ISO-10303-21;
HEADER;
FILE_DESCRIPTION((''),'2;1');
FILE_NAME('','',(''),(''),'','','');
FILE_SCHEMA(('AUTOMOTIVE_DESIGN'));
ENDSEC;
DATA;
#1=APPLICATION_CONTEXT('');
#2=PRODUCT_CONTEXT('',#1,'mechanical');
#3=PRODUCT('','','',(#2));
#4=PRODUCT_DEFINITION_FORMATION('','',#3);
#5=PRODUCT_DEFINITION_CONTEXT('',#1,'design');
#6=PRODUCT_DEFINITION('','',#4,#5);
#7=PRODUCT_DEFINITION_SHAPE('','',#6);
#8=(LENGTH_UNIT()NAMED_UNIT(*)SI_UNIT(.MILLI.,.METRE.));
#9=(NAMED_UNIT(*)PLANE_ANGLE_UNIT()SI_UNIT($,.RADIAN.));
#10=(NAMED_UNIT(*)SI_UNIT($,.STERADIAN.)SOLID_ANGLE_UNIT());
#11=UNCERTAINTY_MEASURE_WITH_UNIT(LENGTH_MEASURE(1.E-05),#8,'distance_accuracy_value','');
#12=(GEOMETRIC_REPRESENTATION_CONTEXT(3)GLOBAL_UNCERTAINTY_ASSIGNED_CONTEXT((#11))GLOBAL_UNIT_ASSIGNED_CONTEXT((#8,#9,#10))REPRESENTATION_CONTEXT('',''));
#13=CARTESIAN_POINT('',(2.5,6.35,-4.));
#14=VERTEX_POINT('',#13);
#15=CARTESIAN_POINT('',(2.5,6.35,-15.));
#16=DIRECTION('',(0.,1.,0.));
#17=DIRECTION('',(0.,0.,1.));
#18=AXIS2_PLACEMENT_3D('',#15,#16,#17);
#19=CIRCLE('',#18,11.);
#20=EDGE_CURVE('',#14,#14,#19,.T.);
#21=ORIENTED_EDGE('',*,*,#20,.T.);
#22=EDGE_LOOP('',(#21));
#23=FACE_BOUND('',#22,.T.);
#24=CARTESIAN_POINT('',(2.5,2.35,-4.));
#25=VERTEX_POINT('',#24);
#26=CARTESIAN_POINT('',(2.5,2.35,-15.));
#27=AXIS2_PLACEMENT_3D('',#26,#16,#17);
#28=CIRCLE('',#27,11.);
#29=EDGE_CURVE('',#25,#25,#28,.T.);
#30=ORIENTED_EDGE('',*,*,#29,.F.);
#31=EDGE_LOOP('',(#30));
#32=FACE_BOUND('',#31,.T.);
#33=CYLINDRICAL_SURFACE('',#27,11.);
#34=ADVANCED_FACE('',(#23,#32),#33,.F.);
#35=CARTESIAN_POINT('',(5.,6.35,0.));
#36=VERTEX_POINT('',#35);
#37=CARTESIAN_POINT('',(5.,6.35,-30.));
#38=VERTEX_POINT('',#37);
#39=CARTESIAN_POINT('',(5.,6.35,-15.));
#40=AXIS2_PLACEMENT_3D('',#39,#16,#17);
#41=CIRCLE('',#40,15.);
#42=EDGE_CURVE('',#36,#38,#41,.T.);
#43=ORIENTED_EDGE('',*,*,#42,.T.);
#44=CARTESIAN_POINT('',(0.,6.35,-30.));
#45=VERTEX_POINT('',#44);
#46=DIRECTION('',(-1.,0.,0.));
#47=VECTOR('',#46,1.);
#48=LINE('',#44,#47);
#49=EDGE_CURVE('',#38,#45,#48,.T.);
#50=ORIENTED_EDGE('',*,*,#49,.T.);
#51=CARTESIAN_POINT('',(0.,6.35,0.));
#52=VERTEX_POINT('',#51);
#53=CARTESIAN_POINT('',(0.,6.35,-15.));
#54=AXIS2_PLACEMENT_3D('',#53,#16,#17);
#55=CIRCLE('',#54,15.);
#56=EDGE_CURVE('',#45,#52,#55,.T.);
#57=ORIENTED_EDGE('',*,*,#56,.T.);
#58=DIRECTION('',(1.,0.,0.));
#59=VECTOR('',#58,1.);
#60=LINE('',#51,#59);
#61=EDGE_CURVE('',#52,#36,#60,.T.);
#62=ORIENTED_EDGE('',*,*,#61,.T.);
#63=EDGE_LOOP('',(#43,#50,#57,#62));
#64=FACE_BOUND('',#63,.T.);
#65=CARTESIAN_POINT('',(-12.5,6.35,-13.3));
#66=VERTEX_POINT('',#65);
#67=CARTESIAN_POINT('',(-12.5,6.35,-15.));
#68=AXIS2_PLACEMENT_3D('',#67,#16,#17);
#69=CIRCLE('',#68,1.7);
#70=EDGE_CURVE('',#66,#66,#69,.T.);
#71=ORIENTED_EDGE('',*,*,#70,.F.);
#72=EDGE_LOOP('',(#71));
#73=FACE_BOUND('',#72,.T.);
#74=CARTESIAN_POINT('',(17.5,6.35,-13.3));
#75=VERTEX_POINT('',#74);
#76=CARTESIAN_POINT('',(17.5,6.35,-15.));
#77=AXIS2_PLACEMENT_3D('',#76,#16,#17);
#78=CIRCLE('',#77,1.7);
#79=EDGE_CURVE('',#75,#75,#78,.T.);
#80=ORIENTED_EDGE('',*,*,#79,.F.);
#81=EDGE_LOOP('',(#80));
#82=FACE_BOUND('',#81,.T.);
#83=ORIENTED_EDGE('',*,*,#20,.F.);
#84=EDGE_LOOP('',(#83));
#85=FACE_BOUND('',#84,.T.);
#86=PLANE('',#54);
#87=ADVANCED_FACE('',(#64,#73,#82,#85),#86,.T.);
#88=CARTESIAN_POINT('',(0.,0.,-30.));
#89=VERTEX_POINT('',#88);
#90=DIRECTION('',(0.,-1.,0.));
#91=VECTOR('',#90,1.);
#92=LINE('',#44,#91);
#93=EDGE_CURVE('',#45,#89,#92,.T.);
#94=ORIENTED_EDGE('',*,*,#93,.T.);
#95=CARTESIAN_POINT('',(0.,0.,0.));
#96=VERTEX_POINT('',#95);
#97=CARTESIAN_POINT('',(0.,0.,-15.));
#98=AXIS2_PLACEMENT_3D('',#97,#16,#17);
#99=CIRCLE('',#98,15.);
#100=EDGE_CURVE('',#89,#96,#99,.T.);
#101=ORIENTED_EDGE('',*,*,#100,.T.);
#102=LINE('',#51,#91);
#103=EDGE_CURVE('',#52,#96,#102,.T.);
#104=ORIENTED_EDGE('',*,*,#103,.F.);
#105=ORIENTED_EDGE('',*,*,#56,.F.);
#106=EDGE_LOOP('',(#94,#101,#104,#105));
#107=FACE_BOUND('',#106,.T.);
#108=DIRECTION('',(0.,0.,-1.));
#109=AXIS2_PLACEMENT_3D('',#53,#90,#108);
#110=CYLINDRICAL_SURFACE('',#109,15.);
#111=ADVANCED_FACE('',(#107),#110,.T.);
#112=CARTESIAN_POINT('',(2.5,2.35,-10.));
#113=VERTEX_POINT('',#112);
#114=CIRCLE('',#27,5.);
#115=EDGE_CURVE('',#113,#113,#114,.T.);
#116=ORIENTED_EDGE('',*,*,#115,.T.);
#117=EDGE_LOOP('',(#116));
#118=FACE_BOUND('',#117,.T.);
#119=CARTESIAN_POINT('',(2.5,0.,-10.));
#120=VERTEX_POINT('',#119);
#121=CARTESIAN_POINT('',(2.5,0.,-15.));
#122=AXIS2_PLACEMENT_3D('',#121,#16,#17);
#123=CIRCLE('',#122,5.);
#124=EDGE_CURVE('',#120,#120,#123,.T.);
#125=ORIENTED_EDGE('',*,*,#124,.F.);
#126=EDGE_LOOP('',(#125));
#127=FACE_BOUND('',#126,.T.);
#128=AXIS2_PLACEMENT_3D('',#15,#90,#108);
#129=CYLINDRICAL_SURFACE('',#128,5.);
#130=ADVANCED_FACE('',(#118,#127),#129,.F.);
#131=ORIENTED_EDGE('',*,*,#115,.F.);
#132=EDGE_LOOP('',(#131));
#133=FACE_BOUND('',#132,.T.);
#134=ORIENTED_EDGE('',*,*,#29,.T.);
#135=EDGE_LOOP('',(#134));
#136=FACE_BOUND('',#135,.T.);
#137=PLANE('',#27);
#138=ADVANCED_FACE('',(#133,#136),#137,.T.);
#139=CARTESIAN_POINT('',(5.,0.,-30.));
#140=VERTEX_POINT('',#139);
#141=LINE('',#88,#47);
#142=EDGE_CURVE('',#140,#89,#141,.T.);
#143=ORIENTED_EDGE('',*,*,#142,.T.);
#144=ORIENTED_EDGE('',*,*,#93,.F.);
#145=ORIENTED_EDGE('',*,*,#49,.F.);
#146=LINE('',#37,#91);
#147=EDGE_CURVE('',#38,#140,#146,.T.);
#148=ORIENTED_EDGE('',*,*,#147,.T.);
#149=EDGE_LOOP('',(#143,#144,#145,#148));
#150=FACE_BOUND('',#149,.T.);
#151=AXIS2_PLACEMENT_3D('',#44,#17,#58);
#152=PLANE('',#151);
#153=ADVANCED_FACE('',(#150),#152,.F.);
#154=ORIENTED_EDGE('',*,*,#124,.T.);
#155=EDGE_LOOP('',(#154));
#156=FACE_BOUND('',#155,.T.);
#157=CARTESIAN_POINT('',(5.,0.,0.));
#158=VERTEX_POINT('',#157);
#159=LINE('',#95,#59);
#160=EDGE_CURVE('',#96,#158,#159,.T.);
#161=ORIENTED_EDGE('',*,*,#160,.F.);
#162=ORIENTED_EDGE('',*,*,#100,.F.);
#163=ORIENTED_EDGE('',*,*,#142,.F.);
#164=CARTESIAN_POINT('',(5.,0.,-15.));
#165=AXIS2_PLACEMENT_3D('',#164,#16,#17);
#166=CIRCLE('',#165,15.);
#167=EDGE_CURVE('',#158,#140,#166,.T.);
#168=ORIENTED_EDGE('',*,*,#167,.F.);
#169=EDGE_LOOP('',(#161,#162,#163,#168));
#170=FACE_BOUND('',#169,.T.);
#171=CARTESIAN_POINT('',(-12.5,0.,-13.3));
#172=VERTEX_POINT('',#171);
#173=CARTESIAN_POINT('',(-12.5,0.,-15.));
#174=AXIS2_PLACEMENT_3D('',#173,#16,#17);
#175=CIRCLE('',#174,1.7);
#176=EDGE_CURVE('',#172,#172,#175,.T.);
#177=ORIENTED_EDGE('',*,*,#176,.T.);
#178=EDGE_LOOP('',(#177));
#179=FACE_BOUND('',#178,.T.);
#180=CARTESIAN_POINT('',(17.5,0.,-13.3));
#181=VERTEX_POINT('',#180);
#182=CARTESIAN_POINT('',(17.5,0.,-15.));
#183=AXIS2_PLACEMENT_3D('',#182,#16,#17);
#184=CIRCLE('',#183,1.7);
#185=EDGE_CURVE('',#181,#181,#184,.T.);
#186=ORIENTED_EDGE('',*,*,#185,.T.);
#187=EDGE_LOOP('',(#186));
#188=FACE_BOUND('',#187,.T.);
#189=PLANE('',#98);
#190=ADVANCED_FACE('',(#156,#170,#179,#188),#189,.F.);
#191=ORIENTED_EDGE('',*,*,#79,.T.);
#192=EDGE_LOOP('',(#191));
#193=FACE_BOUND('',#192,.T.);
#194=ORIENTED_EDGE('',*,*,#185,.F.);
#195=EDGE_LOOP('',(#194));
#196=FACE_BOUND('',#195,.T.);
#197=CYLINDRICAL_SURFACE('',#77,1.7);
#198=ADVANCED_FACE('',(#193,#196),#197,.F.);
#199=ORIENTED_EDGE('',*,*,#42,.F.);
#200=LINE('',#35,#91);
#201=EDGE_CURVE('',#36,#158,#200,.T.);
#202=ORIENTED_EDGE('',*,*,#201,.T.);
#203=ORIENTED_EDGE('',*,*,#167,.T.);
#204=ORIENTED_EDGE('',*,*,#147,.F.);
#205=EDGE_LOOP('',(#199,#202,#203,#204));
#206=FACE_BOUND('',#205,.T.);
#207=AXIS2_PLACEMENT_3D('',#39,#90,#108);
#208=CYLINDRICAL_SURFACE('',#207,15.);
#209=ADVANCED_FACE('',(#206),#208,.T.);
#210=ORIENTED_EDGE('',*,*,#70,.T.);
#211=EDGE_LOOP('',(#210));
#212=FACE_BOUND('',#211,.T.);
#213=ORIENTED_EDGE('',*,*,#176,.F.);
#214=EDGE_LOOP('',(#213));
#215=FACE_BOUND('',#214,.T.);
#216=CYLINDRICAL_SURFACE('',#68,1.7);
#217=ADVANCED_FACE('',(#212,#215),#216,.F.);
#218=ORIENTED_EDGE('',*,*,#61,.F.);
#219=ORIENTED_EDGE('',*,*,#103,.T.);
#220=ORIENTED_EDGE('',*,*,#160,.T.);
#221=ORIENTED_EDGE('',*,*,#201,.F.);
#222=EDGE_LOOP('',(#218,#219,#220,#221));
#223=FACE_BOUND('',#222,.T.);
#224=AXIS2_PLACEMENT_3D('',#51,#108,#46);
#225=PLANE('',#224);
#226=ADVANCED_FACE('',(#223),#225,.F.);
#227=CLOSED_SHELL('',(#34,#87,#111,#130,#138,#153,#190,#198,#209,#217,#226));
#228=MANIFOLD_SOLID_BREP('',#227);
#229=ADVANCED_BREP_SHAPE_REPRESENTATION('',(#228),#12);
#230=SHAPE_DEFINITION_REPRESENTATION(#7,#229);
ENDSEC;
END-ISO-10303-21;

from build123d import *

# Parameters (mm, degrees)
SKETCH3_R            = 5
BOSS_EXTRUDE1_DEPTH  = 6.35
SKETCH4_R            = 11
CUT_EXTRUDE1_DEPTH   = 4
M3_CLEARANCE_HOLE1_D = 3.4


with BuildPart() as part:
    # Sketch3 → Boss-Extrude1 (new body)
    with BuildSketch(Plane(origin=(0, 0, 0), x_dir=(1, 0, 0), z_dir=(0, 1, 0))):
        with BuildLine():
            Line((0, 0), (5, 0))
            ThreePointArc((5, 0), (20, 15), (5, 30))
            Line((5, 30), (0, 30))
            ThreePointArc((0, 30), (-15, 15), (0, 0))
        make_face()
        with Locations(Location((2.5, 15, 0), (0, 0, 270))):
            Circle(SKETCH3_R, mode=Mode.SUBTRACT)
    extrude(amount=BOSS_EXTRUDE1_DEPTH)

    # Sketch4 → Cut-Extrude1 (cut)
    with BuildSketch(Plane(origin=(0, 6.35, 0), x_dir=(1, 0, 0), z_dir=(0, 1, 0))):
        with Locations(Location((2.5, 15, 0), (0, 0, 270))):
            Circle(SKETCH4_R)
    extrude(amount=-CUT_EXTRUDE1_DEPTH, mode=Mode.SUBTRACT)

    # M3 Clearance Hole1 (through all)
    with Locations(Plane(origin=(-12.5, 6.35, -15), x_dir=(0, 0, 1), z_dir=(0, 1, 0))):
        with Locations((0, 0), (0, 30)):
            Hole(M3_CLEARANCE_HOLE1_D / 2)


solid = part.part
